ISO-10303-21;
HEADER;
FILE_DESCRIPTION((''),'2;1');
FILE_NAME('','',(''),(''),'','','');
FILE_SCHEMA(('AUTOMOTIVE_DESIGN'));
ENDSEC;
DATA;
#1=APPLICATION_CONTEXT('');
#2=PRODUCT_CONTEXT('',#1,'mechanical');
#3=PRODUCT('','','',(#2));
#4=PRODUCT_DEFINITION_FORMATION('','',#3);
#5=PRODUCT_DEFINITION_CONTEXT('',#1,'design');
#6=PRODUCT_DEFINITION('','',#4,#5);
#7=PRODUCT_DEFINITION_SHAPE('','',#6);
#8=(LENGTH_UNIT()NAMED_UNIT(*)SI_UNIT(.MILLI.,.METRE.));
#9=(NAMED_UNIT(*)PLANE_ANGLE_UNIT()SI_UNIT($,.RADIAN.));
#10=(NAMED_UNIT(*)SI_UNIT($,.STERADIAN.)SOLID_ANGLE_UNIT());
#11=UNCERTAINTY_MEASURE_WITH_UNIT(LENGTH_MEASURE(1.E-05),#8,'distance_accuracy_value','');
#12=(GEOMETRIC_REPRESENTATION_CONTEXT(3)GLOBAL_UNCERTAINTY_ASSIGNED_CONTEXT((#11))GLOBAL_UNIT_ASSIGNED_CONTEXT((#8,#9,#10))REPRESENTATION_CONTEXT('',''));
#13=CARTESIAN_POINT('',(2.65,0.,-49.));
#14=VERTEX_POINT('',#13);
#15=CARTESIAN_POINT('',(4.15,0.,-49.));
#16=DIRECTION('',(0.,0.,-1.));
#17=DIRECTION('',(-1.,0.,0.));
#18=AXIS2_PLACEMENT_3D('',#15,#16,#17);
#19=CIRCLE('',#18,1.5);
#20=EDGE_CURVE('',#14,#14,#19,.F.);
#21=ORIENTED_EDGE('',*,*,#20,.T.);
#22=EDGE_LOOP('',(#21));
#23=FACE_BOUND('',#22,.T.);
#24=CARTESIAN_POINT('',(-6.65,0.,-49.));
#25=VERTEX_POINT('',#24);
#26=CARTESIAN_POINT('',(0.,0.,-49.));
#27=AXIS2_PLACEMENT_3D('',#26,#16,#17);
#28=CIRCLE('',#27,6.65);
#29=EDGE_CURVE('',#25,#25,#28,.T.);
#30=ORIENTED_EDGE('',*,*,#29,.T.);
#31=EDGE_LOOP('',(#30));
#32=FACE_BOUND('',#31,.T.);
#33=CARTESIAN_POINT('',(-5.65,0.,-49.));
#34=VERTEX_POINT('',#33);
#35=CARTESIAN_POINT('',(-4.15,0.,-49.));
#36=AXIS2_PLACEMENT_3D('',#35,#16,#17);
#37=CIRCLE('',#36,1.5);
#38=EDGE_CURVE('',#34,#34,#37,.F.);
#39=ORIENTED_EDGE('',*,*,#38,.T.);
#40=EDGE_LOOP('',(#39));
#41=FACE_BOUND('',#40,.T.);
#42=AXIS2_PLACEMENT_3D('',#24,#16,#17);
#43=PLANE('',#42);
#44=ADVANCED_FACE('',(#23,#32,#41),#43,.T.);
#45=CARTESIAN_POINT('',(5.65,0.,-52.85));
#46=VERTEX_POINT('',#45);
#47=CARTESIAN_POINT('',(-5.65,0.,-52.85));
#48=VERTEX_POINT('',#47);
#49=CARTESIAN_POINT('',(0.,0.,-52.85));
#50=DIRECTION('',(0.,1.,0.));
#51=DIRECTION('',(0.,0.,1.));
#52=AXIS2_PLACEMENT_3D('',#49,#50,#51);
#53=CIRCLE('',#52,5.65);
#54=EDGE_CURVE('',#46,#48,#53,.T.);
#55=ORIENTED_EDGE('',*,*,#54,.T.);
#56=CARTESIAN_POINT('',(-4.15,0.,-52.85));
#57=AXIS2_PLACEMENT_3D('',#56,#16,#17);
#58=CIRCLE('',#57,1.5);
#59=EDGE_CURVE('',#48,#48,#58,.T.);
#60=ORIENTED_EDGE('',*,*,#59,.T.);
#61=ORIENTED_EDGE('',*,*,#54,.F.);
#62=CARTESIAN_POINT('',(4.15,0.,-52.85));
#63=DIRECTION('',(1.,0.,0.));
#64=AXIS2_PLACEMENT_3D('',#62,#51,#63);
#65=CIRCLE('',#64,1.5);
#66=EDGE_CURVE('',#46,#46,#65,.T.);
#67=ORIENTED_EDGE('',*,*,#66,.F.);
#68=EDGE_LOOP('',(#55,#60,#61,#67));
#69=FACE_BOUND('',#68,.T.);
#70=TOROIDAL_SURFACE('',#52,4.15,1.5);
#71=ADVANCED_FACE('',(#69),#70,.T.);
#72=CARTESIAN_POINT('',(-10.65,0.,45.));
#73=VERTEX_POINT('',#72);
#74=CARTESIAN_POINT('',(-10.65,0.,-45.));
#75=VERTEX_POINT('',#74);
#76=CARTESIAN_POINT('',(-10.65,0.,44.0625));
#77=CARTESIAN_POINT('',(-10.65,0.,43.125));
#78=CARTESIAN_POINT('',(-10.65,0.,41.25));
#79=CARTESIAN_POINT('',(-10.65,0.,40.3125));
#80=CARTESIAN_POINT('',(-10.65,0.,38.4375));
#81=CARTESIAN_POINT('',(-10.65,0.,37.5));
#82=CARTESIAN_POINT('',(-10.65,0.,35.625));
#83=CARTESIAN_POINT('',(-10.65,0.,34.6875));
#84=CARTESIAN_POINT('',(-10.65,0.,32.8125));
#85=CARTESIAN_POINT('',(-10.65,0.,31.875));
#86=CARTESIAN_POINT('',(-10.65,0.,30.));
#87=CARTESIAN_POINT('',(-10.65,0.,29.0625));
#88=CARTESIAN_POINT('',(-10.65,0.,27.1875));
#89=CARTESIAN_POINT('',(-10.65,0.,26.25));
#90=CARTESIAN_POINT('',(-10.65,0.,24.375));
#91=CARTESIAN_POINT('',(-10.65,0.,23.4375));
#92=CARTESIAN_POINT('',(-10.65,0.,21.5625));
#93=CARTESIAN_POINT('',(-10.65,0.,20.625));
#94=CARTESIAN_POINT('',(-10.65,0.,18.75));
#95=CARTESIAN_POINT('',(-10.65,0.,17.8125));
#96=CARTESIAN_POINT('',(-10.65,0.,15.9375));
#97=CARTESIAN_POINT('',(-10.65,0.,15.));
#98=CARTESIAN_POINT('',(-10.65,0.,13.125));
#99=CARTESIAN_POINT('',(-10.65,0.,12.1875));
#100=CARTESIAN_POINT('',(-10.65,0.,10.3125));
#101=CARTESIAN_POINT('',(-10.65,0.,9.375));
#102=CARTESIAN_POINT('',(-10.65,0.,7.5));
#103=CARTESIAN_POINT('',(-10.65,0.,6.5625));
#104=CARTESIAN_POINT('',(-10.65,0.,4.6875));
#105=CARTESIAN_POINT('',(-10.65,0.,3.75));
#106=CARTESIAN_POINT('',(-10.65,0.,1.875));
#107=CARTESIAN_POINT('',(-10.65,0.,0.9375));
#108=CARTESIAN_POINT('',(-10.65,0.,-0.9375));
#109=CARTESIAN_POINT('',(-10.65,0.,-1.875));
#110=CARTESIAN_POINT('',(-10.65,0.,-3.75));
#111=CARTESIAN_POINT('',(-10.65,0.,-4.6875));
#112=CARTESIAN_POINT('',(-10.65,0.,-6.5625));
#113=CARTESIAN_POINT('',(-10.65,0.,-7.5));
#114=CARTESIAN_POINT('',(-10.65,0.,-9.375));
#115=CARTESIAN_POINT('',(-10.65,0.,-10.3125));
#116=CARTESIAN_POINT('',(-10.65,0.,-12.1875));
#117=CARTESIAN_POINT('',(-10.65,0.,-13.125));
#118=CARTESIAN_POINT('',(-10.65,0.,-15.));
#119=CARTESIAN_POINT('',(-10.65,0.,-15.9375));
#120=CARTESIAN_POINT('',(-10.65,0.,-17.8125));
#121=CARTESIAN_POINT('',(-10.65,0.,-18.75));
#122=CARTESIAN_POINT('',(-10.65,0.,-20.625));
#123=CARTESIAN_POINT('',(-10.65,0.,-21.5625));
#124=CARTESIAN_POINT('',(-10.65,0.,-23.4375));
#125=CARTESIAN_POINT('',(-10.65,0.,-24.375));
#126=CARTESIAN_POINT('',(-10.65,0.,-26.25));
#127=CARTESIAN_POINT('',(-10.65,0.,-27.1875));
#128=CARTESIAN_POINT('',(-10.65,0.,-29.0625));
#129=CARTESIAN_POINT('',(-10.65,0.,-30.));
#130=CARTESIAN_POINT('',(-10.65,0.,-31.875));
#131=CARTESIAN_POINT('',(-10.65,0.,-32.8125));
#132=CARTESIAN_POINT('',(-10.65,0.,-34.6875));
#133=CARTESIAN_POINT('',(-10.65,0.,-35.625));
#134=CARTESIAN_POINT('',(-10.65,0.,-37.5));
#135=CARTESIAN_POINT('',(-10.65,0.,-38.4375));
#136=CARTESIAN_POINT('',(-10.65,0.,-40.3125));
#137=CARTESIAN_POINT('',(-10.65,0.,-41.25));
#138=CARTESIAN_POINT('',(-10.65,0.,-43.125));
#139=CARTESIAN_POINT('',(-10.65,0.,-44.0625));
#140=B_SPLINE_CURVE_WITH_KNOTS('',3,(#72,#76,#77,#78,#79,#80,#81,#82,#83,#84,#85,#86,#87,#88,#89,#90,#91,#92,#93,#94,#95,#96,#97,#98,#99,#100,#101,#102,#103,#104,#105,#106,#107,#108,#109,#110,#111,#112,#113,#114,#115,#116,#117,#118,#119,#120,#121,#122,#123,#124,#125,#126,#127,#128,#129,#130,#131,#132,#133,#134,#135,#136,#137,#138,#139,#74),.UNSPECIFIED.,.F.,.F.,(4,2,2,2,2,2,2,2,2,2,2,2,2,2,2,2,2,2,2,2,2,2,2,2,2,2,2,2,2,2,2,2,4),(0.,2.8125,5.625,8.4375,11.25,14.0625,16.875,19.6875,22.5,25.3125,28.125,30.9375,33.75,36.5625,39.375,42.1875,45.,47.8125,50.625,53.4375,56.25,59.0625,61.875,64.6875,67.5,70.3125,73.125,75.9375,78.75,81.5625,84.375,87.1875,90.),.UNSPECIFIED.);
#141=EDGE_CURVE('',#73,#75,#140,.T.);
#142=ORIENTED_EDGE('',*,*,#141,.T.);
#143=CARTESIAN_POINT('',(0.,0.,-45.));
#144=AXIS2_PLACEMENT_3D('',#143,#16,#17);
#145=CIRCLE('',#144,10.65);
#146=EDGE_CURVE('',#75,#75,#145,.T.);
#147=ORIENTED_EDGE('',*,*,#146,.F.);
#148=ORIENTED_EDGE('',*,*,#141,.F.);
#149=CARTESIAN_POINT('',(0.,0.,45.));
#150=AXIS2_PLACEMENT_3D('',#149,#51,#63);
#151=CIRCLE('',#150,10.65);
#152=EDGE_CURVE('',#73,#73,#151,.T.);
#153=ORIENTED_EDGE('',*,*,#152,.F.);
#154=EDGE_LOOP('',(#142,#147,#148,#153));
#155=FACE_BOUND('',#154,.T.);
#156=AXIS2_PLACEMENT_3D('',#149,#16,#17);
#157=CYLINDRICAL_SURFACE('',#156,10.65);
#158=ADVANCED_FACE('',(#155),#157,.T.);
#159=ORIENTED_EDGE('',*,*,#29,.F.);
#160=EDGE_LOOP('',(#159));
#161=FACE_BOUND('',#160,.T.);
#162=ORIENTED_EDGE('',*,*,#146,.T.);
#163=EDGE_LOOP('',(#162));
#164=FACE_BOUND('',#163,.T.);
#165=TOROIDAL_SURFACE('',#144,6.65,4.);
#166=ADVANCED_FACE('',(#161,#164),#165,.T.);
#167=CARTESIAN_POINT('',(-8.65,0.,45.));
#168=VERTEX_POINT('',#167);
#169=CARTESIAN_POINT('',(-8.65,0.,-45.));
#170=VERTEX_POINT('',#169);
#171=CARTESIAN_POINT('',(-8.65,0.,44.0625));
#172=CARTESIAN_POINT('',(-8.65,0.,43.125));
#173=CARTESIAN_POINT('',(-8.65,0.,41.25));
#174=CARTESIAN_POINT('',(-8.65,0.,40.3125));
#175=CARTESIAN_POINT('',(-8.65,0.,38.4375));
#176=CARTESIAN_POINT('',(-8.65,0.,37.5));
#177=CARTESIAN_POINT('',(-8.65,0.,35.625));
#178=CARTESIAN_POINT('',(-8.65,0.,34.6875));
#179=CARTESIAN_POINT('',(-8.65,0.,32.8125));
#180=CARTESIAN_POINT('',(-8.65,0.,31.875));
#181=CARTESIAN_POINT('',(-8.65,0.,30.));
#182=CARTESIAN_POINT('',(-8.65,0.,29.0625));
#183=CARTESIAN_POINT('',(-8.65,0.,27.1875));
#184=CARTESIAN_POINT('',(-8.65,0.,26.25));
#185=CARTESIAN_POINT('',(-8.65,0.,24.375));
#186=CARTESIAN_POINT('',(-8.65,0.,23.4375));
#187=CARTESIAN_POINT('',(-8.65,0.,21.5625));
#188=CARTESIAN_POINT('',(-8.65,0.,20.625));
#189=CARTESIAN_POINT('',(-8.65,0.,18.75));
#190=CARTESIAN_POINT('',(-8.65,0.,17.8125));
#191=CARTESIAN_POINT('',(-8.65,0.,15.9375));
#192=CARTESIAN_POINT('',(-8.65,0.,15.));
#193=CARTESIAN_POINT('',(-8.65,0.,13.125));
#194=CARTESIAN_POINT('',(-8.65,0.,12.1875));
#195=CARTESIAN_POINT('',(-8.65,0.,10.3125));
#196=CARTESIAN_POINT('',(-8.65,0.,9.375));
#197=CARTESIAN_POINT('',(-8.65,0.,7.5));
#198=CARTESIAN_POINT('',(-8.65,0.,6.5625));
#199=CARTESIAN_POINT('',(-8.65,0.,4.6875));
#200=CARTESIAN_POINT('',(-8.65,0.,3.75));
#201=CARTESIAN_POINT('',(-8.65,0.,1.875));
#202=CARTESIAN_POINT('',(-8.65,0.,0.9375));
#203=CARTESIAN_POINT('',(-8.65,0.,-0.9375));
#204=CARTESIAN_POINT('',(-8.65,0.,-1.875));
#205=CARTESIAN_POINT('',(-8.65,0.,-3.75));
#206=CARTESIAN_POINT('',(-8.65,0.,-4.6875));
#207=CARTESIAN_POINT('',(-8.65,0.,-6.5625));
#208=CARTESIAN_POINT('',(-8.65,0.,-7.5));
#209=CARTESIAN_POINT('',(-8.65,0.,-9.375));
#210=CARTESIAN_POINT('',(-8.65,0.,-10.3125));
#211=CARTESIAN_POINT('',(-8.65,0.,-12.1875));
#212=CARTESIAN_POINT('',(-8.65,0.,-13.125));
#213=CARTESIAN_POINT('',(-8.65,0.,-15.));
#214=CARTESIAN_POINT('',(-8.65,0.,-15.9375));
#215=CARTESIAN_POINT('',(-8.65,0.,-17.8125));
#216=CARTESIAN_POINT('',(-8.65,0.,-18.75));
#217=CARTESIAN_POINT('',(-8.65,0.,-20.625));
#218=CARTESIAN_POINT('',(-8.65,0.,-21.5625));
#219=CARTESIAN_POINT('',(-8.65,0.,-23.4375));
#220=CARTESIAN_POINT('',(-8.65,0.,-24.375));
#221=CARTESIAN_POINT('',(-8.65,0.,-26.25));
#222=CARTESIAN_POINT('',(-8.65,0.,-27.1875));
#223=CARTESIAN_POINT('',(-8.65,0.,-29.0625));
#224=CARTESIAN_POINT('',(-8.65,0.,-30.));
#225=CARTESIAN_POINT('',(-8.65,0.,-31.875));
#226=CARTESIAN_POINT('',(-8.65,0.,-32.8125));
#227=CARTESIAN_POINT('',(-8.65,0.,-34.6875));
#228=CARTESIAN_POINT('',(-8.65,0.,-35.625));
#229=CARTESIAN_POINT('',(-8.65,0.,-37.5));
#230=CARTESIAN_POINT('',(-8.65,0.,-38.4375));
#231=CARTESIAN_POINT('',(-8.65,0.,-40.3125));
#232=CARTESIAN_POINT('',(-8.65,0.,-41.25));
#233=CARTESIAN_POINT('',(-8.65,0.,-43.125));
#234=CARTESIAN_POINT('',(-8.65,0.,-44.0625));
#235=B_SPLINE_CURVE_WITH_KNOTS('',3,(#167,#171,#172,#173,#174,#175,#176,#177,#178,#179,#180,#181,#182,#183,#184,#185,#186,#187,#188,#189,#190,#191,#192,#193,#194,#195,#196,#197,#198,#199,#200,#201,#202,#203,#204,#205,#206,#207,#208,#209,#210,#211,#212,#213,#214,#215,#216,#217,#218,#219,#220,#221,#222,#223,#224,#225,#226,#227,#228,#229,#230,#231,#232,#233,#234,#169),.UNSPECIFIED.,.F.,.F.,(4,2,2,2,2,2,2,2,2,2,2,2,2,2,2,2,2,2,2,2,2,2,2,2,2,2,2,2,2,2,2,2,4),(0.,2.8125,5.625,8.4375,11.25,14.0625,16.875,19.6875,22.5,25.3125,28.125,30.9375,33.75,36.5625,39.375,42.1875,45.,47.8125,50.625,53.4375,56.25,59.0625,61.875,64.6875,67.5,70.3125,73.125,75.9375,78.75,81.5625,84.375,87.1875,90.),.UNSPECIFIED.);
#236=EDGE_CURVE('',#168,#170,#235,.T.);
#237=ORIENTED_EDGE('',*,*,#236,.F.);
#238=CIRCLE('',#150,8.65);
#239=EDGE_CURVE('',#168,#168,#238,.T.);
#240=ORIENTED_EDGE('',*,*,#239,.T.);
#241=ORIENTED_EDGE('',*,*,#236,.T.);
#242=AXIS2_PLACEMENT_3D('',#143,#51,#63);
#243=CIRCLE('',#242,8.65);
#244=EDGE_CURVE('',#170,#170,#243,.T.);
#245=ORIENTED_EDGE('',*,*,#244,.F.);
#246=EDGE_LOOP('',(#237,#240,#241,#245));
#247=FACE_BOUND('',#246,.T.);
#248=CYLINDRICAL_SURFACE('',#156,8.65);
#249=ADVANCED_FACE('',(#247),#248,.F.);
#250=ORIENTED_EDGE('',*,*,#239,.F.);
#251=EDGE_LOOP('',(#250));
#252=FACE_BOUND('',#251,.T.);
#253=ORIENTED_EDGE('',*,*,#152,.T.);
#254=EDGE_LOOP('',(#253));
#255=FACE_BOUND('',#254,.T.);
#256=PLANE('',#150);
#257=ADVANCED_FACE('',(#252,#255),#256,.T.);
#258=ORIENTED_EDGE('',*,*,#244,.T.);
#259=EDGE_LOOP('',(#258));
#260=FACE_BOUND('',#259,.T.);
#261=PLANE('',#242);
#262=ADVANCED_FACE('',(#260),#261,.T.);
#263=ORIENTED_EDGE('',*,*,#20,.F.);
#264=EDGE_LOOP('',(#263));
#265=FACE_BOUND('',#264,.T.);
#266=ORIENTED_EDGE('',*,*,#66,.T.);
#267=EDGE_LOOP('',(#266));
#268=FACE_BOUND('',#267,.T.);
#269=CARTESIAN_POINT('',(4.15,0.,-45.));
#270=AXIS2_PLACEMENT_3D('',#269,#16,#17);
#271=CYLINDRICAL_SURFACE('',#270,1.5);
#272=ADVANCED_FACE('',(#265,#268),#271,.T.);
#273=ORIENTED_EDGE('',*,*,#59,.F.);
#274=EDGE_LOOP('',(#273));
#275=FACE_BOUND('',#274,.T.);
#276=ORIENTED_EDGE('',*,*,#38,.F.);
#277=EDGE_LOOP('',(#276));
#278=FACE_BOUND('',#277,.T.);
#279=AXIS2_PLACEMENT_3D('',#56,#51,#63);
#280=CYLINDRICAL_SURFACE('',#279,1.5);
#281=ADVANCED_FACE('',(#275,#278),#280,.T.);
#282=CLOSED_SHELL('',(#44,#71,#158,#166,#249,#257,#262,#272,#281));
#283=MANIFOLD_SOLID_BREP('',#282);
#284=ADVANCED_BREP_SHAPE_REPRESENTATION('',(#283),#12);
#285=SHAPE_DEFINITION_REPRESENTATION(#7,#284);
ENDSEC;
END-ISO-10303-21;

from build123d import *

# Parameters (mm, degrees)
ESQUISSE2_R        = 10.65
ESQUISSE2_R_2      = 8.65
BOSS_EXTRU_1_DEPTH = 45
ESQUISSE5_R        = 1.5


with BuildPart() as part:
    # Esquisse2 → Boss.-Extru.1 (new, symmetric)
    with BuildSketch(Plane.XY):
        with Locations(Location((0, 0, 0), (0, 0, 180))):
            Circle(ESQUISSE2_R)
        with Locations(Location((0, 0, 0), (0, 0, 180))):
            Circle(ESQUISSE2_R_2, mode=Mode.SUBTRACT)
    extrude(amount=BOSS_EXTRU_1_DEPTH, both=True)

    # Esquisse3 → Révolution1 (revolve)
    with BuildSketch(Plane(origin=(0, 0, 0), x_dir=(1, 0, 0), z_dir=(0, 1, 0))):
        with BuildLine():
            Line((-6.65, 49), (0, 49))
            Line((0, 49), (0, 45))
            Line((0, 45), (-10.65, 45))
            ThreePointArc((-10.65, 45), (-9.478427125, 47.828427125), (-6.65, 49))
        make_face()
    revolve(axis=Axis((0, 0, -49), (0, 0, 1)))

    # Balayage3: sweep along a path in Esquisse6
    with BuildLine(Plane(origin=(0, 0, 0), x_dir=(1, 0, 0), z_dir=(0, 1, 0))) as balayage3_path:
        Line((-2.65, 45), (-2.65, 52.85))
        ThreePointArc((-2.65, 52.85), (0, 55.5), (2.65, 52.85))
        Line((2.65, 52.85), (2.65, 45))
    # Esquisse5 → Balayage3 (sweep)
    with BuildSketch(Plane(origin=(0, 0, 0), x_dir=(0, 0, -1), z_dir=(1, 0, 0))):
        with Locations((57, 0)):
            Circle(ESQUISSE5_R)
    sweep(path=balayage3_path.line)


solid = part.part
